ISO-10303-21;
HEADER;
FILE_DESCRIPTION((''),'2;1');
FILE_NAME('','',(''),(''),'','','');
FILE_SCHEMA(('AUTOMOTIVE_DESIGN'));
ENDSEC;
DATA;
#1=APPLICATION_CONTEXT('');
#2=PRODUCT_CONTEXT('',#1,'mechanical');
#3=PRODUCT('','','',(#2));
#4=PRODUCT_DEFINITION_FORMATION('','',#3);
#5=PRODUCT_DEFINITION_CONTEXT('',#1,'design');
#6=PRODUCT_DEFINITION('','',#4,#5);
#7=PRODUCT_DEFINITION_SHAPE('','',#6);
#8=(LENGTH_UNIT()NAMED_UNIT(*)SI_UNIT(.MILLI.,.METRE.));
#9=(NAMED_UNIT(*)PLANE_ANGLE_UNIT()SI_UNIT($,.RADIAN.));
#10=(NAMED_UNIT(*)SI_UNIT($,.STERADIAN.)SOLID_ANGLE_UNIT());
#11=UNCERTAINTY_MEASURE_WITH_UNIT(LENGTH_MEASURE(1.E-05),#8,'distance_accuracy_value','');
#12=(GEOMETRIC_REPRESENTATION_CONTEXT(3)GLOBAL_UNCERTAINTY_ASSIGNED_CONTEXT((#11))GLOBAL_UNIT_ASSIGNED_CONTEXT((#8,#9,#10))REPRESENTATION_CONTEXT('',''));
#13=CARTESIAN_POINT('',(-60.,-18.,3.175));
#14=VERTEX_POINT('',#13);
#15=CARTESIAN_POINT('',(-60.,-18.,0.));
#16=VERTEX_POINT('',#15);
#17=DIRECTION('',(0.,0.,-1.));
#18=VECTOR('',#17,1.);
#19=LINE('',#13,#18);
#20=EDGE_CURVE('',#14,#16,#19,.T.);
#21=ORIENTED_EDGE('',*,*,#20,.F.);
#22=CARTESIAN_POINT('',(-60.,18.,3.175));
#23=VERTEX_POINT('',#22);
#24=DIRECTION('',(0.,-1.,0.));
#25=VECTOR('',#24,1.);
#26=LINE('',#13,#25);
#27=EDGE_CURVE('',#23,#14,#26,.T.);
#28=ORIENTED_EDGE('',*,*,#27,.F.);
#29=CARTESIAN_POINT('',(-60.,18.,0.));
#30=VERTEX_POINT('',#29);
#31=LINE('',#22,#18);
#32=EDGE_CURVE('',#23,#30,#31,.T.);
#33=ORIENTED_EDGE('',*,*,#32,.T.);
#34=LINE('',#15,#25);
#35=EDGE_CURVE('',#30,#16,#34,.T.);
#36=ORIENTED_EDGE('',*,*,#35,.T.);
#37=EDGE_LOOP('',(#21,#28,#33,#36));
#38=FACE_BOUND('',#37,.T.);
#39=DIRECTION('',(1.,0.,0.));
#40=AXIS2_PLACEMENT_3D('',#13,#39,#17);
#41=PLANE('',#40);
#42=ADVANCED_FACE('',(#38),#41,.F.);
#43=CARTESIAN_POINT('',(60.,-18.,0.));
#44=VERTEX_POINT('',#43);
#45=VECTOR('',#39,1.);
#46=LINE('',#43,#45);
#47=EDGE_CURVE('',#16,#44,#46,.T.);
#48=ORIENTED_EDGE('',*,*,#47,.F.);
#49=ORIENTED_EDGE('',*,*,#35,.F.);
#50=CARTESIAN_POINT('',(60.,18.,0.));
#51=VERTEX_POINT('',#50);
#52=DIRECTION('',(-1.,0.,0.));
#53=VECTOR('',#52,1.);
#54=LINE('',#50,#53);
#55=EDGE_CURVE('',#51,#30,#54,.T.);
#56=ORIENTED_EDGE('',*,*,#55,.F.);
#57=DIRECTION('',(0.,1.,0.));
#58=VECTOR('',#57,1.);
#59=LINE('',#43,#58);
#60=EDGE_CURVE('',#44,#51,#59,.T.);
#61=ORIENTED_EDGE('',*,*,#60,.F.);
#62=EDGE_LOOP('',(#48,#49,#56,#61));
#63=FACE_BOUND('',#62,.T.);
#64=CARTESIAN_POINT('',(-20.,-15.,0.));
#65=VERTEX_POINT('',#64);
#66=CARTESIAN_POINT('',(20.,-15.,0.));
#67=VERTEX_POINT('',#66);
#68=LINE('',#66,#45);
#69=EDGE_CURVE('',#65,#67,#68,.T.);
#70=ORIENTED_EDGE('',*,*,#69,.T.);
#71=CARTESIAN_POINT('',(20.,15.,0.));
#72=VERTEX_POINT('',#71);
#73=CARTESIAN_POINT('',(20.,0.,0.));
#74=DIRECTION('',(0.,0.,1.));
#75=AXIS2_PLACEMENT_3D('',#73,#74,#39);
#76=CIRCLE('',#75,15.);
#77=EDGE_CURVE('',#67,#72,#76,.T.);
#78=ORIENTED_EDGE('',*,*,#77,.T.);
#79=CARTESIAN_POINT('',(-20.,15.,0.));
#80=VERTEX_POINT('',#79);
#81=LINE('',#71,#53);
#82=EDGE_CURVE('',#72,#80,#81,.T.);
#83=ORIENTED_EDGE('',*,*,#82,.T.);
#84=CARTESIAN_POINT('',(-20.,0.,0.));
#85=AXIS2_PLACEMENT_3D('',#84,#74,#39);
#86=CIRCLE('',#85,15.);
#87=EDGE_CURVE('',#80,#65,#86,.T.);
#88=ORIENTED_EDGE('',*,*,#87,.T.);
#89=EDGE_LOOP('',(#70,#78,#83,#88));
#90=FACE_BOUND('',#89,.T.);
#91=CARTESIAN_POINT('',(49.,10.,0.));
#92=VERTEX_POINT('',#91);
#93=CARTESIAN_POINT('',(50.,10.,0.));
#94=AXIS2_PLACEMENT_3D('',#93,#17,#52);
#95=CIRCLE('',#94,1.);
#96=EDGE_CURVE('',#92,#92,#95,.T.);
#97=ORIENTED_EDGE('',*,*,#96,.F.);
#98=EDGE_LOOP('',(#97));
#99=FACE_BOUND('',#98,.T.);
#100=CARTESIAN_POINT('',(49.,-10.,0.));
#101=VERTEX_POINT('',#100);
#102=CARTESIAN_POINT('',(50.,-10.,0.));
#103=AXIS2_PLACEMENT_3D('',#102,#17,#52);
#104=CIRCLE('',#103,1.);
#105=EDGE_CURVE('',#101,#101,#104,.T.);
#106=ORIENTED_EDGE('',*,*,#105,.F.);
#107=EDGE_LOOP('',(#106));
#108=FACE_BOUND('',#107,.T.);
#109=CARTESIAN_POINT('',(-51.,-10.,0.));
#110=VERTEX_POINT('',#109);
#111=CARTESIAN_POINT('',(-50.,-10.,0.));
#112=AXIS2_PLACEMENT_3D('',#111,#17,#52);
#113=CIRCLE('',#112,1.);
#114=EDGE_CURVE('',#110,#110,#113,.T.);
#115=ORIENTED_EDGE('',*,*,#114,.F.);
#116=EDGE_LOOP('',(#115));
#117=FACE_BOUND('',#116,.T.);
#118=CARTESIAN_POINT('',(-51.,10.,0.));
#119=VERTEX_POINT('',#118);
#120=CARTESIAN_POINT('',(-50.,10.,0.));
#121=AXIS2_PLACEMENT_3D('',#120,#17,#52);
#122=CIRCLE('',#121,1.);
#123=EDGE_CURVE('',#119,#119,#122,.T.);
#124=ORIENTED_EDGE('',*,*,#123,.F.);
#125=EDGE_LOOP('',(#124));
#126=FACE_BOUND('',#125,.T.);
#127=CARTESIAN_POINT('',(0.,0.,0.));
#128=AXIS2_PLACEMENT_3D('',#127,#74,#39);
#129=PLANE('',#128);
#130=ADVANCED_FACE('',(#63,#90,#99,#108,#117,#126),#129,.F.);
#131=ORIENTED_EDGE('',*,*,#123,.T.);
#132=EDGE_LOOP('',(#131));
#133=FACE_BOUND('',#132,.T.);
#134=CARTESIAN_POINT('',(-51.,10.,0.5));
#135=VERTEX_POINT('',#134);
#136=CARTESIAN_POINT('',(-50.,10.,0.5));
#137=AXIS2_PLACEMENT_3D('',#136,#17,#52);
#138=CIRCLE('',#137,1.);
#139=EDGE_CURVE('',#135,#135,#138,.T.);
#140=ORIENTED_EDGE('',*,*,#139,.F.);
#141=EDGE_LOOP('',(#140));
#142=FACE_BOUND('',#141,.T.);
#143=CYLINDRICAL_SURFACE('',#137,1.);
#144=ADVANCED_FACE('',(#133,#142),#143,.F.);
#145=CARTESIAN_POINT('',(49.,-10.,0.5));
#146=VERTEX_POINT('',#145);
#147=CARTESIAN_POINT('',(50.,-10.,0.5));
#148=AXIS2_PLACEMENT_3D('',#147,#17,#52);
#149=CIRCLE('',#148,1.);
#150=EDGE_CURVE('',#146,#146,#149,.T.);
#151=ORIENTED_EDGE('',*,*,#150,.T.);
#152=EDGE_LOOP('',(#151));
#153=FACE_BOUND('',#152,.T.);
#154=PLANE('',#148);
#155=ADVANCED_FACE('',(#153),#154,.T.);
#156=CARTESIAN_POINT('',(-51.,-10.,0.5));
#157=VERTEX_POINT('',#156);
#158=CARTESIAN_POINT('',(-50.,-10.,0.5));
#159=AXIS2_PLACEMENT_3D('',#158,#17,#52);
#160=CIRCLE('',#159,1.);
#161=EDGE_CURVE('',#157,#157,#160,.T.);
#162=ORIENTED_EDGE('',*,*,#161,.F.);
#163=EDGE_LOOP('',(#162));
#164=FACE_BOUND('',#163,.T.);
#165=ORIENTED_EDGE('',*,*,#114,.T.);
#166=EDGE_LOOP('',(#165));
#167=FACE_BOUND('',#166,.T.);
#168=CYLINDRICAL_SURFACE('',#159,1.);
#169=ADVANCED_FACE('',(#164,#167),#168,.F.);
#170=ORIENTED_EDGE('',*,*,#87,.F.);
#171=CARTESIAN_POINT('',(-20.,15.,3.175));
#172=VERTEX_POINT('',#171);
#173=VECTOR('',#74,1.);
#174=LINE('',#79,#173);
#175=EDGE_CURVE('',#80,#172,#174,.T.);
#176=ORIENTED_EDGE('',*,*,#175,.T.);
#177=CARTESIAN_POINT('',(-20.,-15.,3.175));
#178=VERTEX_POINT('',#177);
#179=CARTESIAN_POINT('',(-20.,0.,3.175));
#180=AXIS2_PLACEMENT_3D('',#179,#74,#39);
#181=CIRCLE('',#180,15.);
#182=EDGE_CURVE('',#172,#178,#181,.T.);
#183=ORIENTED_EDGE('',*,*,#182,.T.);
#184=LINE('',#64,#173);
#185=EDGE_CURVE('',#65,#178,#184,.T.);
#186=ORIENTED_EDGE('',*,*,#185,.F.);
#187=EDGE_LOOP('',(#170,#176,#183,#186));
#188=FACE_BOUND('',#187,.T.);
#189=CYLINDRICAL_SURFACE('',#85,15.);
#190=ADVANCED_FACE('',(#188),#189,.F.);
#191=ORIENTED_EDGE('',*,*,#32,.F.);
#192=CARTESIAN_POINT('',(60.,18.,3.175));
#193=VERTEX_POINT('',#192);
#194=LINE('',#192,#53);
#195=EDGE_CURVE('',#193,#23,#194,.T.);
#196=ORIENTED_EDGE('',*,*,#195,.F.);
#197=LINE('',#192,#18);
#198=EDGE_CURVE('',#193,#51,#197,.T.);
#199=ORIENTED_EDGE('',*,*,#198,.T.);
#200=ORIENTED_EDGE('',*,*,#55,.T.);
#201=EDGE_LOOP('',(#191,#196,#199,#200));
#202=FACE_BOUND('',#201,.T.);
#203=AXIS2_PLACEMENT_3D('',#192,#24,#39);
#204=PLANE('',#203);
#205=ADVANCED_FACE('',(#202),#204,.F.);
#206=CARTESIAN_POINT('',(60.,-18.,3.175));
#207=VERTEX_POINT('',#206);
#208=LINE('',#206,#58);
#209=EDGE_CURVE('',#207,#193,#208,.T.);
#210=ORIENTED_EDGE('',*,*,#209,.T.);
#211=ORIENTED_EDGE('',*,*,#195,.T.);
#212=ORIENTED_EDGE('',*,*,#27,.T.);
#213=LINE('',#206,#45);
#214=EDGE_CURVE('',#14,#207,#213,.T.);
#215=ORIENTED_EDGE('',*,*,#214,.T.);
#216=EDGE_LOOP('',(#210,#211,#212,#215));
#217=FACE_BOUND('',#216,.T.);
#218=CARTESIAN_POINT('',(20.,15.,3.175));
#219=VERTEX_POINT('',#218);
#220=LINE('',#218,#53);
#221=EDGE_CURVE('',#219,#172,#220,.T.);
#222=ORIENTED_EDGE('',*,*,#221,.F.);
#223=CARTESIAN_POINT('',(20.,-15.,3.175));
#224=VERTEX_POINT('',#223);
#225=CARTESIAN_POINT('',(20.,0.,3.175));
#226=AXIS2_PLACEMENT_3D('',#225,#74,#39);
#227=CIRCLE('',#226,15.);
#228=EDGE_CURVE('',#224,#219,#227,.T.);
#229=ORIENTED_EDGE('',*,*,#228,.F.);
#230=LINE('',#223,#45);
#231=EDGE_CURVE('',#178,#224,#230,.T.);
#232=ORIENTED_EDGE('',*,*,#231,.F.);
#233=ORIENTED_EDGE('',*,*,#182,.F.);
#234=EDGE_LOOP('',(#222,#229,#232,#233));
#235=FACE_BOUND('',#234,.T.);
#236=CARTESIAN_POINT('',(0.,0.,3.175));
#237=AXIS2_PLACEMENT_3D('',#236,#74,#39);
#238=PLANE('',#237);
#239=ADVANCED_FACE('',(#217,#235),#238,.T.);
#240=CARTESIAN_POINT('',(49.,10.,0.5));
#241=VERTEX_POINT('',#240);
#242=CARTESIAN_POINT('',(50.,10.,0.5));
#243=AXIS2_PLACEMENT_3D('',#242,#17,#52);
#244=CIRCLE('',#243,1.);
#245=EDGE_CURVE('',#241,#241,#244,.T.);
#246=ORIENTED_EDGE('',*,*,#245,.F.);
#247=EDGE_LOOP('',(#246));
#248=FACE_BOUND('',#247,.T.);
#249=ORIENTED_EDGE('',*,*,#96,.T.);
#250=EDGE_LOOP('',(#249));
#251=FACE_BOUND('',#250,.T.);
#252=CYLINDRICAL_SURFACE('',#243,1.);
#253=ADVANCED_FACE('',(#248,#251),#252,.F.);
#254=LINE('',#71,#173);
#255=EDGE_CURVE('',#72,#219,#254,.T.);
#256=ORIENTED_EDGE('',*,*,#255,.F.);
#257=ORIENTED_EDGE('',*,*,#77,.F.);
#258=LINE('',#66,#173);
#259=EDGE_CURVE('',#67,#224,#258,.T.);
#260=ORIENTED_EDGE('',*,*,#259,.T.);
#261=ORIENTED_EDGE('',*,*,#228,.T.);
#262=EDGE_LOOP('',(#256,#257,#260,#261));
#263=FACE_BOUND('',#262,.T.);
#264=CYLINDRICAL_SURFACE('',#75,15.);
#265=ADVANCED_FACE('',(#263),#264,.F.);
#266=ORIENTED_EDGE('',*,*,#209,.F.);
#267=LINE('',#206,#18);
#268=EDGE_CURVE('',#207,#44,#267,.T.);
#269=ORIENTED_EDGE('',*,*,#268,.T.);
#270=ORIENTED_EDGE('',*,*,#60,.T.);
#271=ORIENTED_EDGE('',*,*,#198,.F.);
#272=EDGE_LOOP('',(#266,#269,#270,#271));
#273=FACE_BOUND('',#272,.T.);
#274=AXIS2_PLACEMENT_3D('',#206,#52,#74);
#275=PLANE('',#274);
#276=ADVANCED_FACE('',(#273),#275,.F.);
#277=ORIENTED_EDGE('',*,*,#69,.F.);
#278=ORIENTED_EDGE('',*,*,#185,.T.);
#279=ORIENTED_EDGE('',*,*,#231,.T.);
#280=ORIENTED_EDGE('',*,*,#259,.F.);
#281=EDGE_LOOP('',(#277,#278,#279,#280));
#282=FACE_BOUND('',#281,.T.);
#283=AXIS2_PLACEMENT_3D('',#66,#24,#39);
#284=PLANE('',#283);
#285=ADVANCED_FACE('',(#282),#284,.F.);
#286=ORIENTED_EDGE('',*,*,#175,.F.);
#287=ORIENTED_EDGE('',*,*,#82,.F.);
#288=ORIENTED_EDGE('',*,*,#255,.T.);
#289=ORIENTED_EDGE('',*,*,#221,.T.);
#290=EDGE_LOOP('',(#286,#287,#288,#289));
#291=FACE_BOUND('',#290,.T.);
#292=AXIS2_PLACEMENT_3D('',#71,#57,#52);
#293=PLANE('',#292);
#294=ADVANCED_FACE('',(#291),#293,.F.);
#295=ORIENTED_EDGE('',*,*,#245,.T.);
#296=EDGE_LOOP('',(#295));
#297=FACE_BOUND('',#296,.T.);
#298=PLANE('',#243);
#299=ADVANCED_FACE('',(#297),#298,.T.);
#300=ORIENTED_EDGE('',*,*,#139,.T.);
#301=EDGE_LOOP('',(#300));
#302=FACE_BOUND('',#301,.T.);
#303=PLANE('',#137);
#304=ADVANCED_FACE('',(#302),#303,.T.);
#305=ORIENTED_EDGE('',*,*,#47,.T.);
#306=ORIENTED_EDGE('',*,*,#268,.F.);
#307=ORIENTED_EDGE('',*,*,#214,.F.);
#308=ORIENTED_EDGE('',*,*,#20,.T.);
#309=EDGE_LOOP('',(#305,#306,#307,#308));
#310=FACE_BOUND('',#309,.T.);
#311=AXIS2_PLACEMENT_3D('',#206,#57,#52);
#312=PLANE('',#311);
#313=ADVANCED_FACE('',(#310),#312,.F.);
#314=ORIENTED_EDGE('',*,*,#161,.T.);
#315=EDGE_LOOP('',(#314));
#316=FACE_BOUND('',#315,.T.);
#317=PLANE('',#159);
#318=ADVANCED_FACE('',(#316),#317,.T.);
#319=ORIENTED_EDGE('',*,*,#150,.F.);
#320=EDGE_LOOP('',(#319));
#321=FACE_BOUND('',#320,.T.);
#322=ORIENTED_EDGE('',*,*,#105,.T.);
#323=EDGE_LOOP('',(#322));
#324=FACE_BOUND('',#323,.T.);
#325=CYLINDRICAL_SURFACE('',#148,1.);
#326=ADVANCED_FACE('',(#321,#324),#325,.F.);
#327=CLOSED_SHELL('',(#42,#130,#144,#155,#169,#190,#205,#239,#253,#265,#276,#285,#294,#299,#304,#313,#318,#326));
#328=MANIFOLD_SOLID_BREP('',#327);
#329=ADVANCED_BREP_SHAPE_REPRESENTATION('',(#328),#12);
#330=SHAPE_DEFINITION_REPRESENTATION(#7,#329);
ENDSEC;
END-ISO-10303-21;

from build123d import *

# Parameters (mm, degrees)
SKETCH1_W           = 120
SKETCH1_H           = 36
BOSS_EXTRUDE1_DEPTH = 3.175
CUT_EXTRUDE1_DEPTH  = 63.72224984
SKETCH5_R           = 1
CUT_EXTRUDE2_DEPTH  = 0.5


with BuildPart() as part:
    # Sketch1 → Boss-Extrude1 (new body)
    with BuildSketch(Plane.XY):
        Rectangle(SKETCH1_W, SKETCH1_H)
    extrude(amount=BOSS_EXTRUDE1_DEPTH)

    # Sketch2 → Cut-Extrude1 (cut, through all)
    with BuildSketch(Plane.XY.offset(3.175)):
        with BuildLine():
            Line((20, -15), (-20, -15))
            ThreePointArc((-20, -15), (-35, 0), (-20, 15))
            Line((-20, 15), (20, 15))
            ThreePointArc((20, 15), (35, 0), (20, -15))
        make_face()
    extrude(amount=-CUT_EXTRUDE1_DEPTH, mode=Mode.SUBTRACT)

    # Sketch5 → Cut-Extrude2 (cut)
    with BuildSketch(Plane(origin=(0, 0, 0), x_dir=(-1, 0, 0), z_dir=(0, 0, -1))):
        with Locations((-50, 10)):
            Circle(SKETCH5_R)
        with Locations((-50, -10)):
            Circle(SKETCH5_R)
        with Locations((50, -10)):
            Circle(SKETCH5_R)
        with Locations((50, 10)):
            Circle(SKETCH5_R)
    extrude(amount=-CUT_EXTRUDE2_DEPTH, mode=Mode.SUBTRACT)


solid = part.part
